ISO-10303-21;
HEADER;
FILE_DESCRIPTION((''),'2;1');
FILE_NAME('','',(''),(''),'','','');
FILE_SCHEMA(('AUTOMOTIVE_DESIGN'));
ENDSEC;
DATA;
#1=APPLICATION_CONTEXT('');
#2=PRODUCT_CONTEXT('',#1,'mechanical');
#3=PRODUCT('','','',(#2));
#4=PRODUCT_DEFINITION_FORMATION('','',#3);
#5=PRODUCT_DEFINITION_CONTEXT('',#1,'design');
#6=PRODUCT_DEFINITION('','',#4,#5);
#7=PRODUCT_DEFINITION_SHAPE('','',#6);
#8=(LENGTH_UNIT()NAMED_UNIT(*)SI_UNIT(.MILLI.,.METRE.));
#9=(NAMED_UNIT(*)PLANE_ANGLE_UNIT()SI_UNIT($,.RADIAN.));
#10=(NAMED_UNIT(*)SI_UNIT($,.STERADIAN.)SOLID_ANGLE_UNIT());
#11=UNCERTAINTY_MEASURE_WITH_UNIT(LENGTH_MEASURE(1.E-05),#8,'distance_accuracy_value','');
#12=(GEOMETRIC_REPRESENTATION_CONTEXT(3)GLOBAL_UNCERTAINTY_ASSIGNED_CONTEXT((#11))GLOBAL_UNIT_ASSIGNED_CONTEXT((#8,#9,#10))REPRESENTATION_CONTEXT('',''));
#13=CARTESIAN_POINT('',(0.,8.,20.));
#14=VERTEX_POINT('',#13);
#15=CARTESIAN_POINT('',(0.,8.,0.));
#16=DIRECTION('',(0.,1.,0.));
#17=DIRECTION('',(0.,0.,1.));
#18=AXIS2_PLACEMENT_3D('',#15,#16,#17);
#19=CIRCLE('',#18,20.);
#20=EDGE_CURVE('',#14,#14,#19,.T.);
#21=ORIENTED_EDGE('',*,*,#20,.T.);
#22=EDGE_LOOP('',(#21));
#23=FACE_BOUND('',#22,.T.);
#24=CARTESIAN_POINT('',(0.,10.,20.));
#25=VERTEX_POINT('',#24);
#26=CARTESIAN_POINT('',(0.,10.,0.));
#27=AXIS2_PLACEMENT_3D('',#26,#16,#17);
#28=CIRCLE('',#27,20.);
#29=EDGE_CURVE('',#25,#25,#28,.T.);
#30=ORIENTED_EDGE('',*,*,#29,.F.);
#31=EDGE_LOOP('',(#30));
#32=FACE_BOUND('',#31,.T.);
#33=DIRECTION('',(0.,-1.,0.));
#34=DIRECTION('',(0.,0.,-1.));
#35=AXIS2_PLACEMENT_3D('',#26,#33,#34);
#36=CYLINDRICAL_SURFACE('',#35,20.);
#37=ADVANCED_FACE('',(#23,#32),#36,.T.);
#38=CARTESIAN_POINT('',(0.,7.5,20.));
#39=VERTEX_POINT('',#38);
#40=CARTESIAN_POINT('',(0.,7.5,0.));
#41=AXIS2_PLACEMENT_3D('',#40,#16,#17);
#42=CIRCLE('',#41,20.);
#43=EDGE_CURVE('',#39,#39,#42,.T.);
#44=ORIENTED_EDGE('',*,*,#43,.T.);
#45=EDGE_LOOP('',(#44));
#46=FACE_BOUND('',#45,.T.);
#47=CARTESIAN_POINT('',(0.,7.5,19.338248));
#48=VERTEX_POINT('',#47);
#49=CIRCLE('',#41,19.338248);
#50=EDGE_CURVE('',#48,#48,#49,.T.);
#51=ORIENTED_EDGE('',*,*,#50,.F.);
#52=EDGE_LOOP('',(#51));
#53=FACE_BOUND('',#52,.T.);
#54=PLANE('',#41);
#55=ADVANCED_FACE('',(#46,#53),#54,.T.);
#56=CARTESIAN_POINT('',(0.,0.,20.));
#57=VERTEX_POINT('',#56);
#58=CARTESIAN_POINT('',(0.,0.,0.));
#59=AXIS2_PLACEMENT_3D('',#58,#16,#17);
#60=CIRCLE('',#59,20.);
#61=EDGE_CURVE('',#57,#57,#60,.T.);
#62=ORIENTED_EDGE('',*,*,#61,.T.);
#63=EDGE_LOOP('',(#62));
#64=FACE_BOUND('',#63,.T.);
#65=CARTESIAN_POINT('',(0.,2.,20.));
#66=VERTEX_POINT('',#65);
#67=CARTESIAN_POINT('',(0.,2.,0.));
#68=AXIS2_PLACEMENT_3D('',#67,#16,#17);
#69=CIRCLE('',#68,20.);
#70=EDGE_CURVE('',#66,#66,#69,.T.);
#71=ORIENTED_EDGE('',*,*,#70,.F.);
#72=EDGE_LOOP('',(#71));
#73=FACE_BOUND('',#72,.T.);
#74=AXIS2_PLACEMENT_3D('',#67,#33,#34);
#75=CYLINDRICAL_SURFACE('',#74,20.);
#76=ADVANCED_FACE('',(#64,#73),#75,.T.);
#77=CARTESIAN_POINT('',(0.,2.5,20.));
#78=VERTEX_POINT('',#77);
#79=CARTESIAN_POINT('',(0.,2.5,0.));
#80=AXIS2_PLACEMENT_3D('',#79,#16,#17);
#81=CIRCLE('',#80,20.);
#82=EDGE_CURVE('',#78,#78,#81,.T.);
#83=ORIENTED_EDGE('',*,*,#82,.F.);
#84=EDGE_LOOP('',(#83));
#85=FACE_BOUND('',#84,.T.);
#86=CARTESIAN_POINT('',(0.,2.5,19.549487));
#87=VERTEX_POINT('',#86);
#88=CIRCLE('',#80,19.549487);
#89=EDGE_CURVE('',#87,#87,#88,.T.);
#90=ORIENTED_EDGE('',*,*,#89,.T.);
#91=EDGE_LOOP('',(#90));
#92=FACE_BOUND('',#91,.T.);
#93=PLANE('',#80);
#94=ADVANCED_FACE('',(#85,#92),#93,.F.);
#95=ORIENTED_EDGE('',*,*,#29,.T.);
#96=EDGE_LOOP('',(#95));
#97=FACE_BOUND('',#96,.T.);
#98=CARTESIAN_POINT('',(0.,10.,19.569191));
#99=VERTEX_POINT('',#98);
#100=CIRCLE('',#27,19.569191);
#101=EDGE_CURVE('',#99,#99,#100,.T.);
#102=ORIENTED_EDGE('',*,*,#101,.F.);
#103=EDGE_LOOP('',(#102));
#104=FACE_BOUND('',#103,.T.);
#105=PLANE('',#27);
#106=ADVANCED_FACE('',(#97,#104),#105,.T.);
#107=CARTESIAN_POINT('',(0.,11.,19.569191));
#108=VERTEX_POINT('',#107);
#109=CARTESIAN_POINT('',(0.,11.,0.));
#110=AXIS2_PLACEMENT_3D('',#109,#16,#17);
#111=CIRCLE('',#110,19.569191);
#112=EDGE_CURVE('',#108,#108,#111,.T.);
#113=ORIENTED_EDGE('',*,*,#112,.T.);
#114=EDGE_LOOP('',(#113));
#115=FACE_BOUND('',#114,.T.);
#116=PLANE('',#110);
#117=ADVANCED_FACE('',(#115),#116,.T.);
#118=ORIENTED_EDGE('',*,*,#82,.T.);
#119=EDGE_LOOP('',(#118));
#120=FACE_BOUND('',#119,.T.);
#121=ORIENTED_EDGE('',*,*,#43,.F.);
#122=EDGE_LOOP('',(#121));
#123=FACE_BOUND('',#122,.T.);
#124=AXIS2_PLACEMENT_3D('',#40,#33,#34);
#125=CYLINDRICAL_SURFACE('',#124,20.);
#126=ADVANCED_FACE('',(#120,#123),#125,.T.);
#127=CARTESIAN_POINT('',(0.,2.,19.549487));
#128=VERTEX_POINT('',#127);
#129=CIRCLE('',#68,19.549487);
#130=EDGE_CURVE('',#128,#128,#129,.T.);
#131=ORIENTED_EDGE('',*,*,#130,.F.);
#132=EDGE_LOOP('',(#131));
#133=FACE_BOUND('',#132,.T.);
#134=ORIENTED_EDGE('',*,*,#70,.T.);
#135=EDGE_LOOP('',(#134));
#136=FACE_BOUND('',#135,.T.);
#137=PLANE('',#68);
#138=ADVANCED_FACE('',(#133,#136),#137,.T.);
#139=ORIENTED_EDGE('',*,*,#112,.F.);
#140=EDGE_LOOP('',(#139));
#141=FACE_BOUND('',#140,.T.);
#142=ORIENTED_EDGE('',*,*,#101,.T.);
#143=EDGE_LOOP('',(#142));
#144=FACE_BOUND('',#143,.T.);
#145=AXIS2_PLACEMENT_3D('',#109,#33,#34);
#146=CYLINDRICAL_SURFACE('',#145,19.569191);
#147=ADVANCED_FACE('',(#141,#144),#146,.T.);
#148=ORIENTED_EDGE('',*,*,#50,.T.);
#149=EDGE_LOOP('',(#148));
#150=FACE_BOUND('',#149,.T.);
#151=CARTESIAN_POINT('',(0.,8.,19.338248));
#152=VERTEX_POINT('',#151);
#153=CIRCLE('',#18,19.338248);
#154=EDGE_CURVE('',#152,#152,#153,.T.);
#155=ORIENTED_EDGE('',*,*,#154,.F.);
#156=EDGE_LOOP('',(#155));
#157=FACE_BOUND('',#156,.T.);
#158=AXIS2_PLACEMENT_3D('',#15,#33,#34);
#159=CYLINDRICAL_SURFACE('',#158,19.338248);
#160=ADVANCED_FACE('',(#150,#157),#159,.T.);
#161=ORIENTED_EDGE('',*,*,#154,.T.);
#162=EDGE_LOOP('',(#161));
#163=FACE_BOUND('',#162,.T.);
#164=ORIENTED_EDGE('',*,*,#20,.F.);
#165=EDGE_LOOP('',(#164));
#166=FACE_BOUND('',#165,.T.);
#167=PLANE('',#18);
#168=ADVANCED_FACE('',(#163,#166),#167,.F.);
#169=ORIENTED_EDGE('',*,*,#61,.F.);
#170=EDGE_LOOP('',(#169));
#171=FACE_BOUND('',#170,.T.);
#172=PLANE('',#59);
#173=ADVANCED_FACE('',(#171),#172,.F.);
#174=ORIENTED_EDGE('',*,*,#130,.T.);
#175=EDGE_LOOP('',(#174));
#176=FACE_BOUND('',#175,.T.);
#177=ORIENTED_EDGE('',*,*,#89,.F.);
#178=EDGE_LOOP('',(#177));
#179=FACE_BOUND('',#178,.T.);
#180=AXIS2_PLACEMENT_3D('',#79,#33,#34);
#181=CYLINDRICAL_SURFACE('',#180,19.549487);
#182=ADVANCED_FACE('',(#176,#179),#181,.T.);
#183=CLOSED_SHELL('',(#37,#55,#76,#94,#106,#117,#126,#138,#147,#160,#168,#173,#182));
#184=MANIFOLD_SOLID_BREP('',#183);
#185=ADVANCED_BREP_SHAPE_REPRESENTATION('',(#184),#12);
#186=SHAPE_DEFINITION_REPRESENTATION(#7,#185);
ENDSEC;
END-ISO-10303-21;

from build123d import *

# Parameters (mm, degrees)
SKETCH1_R           = 20
BOSS_EXTRUDE1_DEPTH = 2
SKETCH2_R           = 19.549486802
BOSS_EXTRUDE2_DEPTH = 0.5
SKETCH3_R           = 20
BOSS_EXTRUDE3_DEPTH = 5
SKETCH4_R           = 19.338248166
BOSS_EXTRUDE4_DEPTH = 0.5
SKETCH5_R           = 20
BOSS_EXTRUDE5_DEPTH = 2
SKETCH6_R           = 19.569190597
BOSS_EXTRUDE6_DEPTH = 1


with BuildPart() as part:
    # Sketch1 → Boss-Extrude1 (new body)
    with BuildSketch(Plane(origin=(0, 0, 0), x_dir=(1, 0, 0), z_dir=(0, 1, 0))):
        with Locations(Location((0, 0, 0), (0, 0, 270))):
            Circle(SKETCH1_R)
    extrude(amount=BOSS_EXTRUDE1_DEPTH)

    # Sketch2 → Boss-Extrude2 (add)
    with BuildSketch(Plane(origin=(0, 2, 0), x_dir=(1, 0, 0), z_dir=(0, 1, 0))):
        with Locations(Location((0, 0, 0), (0, 0, 270))):
            Circle(SKETCH2_R)
    extrude(amount=BOSS_EXTRUDE2_DEPTH)

    # Sketch3 → Boss-Extrude3 (add)
    with BuildSketch(Plane(origin=(0, 2.5, 0), x_dir=(1, 0, 0), z_dir=(0, 1, 0))):
        with Locations(Location((0, 0, 0), (0, 0, 270))):
            Circle(SKETCH3_R)
    extrude(amount=BOSS_EXTRUDE3_DEPTH)

    # Sketch4 → Boss-Extrude4 (add)
    with BuildSketch(Plane(origin=(0, 7.5, 0), x_dir=(1, 0, 0), z_dir=(0, 1, 0))):
        with Locations(Location((0, 0, 0), (0, 0, 270))):
            Circle(SKETCH4_R)
    extrude(amount=BOSS_EXTRUDE4_DEPTH)

    # Sketch5 → Boss-Extrude5 (add)
    with BuildSketch(Plane(origin=(0, 8, 0), x_dir=(1, 0, 0), z_dir=(0, 1, 0))):
        with Locations(Location((0, 0, 0), (0, 0, 270))):
            Circle(SKETCH5_R)
    extrude(amount=BOSS_EXTRUDE5_DEPTH)

    # Sketch6 → Boss-Extrude6 (add)
    with BuildSketch(Plane(origin=(0, 10, 0), x_dir=(1, 0, 0), z_dir=(0, 1, 0))):
        with Locations(Location((0, 0, 0), (0, 0, 270))):
            Circle(SKETCH6_R)
    extrude(amount=BOSS_EXTRUDE6_DEPTH)


solid = part.part
